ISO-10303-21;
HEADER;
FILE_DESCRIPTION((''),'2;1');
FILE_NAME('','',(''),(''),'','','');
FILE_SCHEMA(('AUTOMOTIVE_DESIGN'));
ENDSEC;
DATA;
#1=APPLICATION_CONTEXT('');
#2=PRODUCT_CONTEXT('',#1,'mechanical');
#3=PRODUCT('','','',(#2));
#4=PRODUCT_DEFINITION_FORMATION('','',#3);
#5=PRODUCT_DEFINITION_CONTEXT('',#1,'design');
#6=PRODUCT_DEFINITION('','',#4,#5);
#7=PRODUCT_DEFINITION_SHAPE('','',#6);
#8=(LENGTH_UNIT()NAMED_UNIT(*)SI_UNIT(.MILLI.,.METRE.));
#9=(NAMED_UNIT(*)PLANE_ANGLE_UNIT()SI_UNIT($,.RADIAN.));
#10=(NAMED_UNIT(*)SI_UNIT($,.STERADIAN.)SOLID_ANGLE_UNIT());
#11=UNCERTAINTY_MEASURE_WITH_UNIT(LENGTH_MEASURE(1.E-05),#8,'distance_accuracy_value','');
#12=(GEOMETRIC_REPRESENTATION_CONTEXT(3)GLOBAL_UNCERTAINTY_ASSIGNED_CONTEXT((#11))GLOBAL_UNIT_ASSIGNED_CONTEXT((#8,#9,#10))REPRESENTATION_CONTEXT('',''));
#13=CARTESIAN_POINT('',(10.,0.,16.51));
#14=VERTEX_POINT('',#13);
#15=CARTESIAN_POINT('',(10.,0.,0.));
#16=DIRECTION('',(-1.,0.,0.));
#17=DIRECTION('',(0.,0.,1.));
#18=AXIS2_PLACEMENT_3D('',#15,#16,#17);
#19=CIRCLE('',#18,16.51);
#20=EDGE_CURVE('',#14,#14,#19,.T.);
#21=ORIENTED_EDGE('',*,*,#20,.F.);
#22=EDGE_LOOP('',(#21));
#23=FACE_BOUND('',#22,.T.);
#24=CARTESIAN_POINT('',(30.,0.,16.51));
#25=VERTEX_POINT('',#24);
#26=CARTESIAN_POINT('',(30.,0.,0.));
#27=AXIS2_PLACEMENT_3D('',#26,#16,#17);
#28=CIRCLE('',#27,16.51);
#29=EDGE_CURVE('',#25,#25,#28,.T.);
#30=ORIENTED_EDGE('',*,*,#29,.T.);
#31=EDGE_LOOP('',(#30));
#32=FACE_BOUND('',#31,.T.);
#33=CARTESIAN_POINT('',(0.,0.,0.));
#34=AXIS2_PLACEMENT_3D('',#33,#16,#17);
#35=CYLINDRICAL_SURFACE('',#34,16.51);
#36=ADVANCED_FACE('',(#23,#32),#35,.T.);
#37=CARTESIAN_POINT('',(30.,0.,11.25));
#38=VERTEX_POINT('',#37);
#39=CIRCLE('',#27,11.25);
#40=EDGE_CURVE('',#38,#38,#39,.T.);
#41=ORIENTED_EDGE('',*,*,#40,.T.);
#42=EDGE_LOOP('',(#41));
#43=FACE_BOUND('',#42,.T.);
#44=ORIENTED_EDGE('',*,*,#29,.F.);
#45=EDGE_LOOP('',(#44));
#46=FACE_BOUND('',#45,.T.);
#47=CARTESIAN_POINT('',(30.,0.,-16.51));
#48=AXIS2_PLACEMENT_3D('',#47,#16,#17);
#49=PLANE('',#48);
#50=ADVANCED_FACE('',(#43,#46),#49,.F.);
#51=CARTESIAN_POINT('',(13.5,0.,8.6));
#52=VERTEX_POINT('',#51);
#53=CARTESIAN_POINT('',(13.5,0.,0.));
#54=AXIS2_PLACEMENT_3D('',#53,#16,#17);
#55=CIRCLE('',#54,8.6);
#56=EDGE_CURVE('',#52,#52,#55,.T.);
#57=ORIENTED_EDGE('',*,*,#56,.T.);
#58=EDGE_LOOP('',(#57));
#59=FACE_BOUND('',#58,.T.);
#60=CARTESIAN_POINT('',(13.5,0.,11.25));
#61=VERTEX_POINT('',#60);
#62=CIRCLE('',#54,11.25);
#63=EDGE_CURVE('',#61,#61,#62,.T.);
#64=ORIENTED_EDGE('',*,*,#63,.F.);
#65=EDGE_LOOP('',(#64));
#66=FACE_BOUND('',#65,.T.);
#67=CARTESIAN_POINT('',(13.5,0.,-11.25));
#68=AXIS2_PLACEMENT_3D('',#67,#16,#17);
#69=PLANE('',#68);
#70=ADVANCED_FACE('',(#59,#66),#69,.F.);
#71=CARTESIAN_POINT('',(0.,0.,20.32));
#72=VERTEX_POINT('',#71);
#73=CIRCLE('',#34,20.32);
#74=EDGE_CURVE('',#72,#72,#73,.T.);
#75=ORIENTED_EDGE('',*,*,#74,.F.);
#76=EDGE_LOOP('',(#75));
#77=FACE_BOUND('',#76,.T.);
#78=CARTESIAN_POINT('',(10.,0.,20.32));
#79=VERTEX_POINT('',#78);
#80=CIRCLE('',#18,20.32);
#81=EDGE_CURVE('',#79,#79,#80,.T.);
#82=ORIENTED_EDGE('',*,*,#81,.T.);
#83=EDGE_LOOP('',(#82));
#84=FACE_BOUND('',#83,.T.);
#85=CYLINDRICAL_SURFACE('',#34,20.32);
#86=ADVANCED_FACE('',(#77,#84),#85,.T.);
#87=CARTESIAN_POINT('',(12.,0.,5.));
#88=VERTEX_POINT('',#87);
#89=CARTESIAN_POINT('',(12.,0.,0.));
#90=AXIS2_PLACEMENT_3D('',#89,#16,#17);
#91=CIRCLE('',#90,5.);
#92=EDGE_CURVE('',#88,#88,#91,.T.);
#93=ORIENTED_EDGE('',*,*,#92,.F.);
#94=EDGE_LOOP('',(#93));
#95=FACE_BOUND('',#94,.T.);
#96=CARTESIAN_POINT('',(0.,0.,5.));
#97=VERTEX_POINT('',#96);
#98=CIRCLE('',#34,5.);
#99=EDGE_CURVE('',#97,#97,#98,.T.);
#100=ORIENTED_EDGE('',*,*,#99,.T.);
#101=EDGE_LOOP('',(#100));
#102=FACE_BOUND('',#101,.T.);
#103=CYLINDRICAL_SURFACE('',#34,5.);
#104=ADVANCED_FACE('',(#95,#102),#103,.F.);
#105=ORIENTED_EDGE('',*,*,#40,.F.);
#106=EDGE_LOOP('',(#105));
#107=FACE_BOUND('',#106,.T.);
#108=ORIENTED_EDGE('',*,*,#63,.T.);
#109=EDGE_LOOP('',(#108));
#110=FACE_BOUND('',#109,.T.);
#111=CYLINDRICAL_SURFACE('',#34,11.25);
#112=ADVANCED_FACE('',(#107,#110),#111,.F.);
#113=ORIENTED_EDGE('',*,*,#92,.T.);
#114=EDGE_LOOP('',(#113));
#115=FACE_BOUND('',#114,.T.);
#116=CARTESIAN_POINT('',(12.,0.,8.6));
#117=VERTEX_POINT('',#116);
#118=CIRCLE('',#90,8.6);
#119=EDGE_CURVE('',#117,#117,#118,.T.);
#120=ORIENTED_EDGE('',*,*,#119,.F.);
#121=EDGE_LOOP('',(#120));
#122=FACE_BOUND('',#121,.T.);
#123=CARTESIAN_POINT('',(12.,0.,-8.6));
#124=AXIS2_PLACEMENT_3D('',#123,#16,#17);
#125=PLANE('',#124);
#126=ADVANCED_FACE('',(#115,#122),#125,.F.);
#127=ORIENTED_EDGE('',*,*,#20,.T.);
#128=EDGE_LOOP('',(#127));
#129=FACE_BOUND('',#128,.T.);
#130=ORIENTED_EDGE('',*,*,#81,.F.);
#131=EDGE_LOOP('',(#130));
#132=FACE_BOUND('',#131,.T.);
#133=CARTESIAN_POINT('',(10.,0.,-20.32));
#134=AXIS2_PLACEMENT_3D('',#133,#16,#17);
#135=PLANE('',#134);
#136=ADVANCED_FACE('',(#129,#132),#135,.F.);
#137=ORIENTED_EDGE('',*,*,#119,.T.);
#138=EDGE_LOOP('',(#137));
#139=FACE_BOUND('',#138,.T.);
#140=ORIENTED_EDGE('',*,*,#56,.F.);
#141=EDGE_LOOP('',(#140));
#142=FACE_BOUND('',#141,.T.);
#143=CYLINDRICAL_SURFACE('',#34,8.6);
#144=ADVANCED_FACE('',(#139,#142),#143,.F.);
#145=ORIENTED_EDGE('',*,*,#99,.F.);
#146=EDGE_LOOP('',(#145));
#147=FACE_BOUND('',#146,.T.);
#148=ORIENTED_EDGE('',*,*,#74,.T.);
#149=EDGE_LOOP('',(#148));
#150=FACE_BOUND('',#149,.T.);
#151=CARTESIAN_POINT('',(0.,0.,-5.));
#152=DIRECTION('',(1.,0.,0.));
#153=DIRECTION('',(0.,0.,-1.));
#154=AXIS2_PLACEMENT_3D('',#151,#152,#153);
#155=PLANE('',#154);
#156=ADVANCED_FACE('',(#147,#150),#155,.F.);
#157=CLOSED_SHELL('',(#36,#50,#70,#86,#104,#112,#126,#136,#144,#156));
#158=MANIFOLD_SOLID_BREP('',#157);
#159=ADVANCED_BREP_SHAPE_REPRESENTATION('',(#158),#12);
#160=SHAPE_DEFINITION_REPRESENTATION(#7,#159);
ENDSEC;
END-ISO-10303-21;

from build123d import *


with BuildPart() as part:
    # Sketch1 → Revolve1 (revolve)
    with BuildSketch(Plane(origin=(0, 0, 0), x_dir=(1, 0, 0), z_dir=(0, 1, 0)), mode=Mode.PRIVATE) as revolve1_sk:
        Polygon((0, 5), (0, 20.32), (10, 20.32), (10, 16.51), (30, 16.51), (30, 11.25), (13.5, 11.25), (13.5, 8.6), (12, 8.6), (12, 5), align=None)
    revolve(revolve1_sk.sketch.rotate(Axis((0, 0, 0), (1, 0, 0)), 180), axis=Axis((0, 0, 0), (1, 0, 0)))


solid = part.part
